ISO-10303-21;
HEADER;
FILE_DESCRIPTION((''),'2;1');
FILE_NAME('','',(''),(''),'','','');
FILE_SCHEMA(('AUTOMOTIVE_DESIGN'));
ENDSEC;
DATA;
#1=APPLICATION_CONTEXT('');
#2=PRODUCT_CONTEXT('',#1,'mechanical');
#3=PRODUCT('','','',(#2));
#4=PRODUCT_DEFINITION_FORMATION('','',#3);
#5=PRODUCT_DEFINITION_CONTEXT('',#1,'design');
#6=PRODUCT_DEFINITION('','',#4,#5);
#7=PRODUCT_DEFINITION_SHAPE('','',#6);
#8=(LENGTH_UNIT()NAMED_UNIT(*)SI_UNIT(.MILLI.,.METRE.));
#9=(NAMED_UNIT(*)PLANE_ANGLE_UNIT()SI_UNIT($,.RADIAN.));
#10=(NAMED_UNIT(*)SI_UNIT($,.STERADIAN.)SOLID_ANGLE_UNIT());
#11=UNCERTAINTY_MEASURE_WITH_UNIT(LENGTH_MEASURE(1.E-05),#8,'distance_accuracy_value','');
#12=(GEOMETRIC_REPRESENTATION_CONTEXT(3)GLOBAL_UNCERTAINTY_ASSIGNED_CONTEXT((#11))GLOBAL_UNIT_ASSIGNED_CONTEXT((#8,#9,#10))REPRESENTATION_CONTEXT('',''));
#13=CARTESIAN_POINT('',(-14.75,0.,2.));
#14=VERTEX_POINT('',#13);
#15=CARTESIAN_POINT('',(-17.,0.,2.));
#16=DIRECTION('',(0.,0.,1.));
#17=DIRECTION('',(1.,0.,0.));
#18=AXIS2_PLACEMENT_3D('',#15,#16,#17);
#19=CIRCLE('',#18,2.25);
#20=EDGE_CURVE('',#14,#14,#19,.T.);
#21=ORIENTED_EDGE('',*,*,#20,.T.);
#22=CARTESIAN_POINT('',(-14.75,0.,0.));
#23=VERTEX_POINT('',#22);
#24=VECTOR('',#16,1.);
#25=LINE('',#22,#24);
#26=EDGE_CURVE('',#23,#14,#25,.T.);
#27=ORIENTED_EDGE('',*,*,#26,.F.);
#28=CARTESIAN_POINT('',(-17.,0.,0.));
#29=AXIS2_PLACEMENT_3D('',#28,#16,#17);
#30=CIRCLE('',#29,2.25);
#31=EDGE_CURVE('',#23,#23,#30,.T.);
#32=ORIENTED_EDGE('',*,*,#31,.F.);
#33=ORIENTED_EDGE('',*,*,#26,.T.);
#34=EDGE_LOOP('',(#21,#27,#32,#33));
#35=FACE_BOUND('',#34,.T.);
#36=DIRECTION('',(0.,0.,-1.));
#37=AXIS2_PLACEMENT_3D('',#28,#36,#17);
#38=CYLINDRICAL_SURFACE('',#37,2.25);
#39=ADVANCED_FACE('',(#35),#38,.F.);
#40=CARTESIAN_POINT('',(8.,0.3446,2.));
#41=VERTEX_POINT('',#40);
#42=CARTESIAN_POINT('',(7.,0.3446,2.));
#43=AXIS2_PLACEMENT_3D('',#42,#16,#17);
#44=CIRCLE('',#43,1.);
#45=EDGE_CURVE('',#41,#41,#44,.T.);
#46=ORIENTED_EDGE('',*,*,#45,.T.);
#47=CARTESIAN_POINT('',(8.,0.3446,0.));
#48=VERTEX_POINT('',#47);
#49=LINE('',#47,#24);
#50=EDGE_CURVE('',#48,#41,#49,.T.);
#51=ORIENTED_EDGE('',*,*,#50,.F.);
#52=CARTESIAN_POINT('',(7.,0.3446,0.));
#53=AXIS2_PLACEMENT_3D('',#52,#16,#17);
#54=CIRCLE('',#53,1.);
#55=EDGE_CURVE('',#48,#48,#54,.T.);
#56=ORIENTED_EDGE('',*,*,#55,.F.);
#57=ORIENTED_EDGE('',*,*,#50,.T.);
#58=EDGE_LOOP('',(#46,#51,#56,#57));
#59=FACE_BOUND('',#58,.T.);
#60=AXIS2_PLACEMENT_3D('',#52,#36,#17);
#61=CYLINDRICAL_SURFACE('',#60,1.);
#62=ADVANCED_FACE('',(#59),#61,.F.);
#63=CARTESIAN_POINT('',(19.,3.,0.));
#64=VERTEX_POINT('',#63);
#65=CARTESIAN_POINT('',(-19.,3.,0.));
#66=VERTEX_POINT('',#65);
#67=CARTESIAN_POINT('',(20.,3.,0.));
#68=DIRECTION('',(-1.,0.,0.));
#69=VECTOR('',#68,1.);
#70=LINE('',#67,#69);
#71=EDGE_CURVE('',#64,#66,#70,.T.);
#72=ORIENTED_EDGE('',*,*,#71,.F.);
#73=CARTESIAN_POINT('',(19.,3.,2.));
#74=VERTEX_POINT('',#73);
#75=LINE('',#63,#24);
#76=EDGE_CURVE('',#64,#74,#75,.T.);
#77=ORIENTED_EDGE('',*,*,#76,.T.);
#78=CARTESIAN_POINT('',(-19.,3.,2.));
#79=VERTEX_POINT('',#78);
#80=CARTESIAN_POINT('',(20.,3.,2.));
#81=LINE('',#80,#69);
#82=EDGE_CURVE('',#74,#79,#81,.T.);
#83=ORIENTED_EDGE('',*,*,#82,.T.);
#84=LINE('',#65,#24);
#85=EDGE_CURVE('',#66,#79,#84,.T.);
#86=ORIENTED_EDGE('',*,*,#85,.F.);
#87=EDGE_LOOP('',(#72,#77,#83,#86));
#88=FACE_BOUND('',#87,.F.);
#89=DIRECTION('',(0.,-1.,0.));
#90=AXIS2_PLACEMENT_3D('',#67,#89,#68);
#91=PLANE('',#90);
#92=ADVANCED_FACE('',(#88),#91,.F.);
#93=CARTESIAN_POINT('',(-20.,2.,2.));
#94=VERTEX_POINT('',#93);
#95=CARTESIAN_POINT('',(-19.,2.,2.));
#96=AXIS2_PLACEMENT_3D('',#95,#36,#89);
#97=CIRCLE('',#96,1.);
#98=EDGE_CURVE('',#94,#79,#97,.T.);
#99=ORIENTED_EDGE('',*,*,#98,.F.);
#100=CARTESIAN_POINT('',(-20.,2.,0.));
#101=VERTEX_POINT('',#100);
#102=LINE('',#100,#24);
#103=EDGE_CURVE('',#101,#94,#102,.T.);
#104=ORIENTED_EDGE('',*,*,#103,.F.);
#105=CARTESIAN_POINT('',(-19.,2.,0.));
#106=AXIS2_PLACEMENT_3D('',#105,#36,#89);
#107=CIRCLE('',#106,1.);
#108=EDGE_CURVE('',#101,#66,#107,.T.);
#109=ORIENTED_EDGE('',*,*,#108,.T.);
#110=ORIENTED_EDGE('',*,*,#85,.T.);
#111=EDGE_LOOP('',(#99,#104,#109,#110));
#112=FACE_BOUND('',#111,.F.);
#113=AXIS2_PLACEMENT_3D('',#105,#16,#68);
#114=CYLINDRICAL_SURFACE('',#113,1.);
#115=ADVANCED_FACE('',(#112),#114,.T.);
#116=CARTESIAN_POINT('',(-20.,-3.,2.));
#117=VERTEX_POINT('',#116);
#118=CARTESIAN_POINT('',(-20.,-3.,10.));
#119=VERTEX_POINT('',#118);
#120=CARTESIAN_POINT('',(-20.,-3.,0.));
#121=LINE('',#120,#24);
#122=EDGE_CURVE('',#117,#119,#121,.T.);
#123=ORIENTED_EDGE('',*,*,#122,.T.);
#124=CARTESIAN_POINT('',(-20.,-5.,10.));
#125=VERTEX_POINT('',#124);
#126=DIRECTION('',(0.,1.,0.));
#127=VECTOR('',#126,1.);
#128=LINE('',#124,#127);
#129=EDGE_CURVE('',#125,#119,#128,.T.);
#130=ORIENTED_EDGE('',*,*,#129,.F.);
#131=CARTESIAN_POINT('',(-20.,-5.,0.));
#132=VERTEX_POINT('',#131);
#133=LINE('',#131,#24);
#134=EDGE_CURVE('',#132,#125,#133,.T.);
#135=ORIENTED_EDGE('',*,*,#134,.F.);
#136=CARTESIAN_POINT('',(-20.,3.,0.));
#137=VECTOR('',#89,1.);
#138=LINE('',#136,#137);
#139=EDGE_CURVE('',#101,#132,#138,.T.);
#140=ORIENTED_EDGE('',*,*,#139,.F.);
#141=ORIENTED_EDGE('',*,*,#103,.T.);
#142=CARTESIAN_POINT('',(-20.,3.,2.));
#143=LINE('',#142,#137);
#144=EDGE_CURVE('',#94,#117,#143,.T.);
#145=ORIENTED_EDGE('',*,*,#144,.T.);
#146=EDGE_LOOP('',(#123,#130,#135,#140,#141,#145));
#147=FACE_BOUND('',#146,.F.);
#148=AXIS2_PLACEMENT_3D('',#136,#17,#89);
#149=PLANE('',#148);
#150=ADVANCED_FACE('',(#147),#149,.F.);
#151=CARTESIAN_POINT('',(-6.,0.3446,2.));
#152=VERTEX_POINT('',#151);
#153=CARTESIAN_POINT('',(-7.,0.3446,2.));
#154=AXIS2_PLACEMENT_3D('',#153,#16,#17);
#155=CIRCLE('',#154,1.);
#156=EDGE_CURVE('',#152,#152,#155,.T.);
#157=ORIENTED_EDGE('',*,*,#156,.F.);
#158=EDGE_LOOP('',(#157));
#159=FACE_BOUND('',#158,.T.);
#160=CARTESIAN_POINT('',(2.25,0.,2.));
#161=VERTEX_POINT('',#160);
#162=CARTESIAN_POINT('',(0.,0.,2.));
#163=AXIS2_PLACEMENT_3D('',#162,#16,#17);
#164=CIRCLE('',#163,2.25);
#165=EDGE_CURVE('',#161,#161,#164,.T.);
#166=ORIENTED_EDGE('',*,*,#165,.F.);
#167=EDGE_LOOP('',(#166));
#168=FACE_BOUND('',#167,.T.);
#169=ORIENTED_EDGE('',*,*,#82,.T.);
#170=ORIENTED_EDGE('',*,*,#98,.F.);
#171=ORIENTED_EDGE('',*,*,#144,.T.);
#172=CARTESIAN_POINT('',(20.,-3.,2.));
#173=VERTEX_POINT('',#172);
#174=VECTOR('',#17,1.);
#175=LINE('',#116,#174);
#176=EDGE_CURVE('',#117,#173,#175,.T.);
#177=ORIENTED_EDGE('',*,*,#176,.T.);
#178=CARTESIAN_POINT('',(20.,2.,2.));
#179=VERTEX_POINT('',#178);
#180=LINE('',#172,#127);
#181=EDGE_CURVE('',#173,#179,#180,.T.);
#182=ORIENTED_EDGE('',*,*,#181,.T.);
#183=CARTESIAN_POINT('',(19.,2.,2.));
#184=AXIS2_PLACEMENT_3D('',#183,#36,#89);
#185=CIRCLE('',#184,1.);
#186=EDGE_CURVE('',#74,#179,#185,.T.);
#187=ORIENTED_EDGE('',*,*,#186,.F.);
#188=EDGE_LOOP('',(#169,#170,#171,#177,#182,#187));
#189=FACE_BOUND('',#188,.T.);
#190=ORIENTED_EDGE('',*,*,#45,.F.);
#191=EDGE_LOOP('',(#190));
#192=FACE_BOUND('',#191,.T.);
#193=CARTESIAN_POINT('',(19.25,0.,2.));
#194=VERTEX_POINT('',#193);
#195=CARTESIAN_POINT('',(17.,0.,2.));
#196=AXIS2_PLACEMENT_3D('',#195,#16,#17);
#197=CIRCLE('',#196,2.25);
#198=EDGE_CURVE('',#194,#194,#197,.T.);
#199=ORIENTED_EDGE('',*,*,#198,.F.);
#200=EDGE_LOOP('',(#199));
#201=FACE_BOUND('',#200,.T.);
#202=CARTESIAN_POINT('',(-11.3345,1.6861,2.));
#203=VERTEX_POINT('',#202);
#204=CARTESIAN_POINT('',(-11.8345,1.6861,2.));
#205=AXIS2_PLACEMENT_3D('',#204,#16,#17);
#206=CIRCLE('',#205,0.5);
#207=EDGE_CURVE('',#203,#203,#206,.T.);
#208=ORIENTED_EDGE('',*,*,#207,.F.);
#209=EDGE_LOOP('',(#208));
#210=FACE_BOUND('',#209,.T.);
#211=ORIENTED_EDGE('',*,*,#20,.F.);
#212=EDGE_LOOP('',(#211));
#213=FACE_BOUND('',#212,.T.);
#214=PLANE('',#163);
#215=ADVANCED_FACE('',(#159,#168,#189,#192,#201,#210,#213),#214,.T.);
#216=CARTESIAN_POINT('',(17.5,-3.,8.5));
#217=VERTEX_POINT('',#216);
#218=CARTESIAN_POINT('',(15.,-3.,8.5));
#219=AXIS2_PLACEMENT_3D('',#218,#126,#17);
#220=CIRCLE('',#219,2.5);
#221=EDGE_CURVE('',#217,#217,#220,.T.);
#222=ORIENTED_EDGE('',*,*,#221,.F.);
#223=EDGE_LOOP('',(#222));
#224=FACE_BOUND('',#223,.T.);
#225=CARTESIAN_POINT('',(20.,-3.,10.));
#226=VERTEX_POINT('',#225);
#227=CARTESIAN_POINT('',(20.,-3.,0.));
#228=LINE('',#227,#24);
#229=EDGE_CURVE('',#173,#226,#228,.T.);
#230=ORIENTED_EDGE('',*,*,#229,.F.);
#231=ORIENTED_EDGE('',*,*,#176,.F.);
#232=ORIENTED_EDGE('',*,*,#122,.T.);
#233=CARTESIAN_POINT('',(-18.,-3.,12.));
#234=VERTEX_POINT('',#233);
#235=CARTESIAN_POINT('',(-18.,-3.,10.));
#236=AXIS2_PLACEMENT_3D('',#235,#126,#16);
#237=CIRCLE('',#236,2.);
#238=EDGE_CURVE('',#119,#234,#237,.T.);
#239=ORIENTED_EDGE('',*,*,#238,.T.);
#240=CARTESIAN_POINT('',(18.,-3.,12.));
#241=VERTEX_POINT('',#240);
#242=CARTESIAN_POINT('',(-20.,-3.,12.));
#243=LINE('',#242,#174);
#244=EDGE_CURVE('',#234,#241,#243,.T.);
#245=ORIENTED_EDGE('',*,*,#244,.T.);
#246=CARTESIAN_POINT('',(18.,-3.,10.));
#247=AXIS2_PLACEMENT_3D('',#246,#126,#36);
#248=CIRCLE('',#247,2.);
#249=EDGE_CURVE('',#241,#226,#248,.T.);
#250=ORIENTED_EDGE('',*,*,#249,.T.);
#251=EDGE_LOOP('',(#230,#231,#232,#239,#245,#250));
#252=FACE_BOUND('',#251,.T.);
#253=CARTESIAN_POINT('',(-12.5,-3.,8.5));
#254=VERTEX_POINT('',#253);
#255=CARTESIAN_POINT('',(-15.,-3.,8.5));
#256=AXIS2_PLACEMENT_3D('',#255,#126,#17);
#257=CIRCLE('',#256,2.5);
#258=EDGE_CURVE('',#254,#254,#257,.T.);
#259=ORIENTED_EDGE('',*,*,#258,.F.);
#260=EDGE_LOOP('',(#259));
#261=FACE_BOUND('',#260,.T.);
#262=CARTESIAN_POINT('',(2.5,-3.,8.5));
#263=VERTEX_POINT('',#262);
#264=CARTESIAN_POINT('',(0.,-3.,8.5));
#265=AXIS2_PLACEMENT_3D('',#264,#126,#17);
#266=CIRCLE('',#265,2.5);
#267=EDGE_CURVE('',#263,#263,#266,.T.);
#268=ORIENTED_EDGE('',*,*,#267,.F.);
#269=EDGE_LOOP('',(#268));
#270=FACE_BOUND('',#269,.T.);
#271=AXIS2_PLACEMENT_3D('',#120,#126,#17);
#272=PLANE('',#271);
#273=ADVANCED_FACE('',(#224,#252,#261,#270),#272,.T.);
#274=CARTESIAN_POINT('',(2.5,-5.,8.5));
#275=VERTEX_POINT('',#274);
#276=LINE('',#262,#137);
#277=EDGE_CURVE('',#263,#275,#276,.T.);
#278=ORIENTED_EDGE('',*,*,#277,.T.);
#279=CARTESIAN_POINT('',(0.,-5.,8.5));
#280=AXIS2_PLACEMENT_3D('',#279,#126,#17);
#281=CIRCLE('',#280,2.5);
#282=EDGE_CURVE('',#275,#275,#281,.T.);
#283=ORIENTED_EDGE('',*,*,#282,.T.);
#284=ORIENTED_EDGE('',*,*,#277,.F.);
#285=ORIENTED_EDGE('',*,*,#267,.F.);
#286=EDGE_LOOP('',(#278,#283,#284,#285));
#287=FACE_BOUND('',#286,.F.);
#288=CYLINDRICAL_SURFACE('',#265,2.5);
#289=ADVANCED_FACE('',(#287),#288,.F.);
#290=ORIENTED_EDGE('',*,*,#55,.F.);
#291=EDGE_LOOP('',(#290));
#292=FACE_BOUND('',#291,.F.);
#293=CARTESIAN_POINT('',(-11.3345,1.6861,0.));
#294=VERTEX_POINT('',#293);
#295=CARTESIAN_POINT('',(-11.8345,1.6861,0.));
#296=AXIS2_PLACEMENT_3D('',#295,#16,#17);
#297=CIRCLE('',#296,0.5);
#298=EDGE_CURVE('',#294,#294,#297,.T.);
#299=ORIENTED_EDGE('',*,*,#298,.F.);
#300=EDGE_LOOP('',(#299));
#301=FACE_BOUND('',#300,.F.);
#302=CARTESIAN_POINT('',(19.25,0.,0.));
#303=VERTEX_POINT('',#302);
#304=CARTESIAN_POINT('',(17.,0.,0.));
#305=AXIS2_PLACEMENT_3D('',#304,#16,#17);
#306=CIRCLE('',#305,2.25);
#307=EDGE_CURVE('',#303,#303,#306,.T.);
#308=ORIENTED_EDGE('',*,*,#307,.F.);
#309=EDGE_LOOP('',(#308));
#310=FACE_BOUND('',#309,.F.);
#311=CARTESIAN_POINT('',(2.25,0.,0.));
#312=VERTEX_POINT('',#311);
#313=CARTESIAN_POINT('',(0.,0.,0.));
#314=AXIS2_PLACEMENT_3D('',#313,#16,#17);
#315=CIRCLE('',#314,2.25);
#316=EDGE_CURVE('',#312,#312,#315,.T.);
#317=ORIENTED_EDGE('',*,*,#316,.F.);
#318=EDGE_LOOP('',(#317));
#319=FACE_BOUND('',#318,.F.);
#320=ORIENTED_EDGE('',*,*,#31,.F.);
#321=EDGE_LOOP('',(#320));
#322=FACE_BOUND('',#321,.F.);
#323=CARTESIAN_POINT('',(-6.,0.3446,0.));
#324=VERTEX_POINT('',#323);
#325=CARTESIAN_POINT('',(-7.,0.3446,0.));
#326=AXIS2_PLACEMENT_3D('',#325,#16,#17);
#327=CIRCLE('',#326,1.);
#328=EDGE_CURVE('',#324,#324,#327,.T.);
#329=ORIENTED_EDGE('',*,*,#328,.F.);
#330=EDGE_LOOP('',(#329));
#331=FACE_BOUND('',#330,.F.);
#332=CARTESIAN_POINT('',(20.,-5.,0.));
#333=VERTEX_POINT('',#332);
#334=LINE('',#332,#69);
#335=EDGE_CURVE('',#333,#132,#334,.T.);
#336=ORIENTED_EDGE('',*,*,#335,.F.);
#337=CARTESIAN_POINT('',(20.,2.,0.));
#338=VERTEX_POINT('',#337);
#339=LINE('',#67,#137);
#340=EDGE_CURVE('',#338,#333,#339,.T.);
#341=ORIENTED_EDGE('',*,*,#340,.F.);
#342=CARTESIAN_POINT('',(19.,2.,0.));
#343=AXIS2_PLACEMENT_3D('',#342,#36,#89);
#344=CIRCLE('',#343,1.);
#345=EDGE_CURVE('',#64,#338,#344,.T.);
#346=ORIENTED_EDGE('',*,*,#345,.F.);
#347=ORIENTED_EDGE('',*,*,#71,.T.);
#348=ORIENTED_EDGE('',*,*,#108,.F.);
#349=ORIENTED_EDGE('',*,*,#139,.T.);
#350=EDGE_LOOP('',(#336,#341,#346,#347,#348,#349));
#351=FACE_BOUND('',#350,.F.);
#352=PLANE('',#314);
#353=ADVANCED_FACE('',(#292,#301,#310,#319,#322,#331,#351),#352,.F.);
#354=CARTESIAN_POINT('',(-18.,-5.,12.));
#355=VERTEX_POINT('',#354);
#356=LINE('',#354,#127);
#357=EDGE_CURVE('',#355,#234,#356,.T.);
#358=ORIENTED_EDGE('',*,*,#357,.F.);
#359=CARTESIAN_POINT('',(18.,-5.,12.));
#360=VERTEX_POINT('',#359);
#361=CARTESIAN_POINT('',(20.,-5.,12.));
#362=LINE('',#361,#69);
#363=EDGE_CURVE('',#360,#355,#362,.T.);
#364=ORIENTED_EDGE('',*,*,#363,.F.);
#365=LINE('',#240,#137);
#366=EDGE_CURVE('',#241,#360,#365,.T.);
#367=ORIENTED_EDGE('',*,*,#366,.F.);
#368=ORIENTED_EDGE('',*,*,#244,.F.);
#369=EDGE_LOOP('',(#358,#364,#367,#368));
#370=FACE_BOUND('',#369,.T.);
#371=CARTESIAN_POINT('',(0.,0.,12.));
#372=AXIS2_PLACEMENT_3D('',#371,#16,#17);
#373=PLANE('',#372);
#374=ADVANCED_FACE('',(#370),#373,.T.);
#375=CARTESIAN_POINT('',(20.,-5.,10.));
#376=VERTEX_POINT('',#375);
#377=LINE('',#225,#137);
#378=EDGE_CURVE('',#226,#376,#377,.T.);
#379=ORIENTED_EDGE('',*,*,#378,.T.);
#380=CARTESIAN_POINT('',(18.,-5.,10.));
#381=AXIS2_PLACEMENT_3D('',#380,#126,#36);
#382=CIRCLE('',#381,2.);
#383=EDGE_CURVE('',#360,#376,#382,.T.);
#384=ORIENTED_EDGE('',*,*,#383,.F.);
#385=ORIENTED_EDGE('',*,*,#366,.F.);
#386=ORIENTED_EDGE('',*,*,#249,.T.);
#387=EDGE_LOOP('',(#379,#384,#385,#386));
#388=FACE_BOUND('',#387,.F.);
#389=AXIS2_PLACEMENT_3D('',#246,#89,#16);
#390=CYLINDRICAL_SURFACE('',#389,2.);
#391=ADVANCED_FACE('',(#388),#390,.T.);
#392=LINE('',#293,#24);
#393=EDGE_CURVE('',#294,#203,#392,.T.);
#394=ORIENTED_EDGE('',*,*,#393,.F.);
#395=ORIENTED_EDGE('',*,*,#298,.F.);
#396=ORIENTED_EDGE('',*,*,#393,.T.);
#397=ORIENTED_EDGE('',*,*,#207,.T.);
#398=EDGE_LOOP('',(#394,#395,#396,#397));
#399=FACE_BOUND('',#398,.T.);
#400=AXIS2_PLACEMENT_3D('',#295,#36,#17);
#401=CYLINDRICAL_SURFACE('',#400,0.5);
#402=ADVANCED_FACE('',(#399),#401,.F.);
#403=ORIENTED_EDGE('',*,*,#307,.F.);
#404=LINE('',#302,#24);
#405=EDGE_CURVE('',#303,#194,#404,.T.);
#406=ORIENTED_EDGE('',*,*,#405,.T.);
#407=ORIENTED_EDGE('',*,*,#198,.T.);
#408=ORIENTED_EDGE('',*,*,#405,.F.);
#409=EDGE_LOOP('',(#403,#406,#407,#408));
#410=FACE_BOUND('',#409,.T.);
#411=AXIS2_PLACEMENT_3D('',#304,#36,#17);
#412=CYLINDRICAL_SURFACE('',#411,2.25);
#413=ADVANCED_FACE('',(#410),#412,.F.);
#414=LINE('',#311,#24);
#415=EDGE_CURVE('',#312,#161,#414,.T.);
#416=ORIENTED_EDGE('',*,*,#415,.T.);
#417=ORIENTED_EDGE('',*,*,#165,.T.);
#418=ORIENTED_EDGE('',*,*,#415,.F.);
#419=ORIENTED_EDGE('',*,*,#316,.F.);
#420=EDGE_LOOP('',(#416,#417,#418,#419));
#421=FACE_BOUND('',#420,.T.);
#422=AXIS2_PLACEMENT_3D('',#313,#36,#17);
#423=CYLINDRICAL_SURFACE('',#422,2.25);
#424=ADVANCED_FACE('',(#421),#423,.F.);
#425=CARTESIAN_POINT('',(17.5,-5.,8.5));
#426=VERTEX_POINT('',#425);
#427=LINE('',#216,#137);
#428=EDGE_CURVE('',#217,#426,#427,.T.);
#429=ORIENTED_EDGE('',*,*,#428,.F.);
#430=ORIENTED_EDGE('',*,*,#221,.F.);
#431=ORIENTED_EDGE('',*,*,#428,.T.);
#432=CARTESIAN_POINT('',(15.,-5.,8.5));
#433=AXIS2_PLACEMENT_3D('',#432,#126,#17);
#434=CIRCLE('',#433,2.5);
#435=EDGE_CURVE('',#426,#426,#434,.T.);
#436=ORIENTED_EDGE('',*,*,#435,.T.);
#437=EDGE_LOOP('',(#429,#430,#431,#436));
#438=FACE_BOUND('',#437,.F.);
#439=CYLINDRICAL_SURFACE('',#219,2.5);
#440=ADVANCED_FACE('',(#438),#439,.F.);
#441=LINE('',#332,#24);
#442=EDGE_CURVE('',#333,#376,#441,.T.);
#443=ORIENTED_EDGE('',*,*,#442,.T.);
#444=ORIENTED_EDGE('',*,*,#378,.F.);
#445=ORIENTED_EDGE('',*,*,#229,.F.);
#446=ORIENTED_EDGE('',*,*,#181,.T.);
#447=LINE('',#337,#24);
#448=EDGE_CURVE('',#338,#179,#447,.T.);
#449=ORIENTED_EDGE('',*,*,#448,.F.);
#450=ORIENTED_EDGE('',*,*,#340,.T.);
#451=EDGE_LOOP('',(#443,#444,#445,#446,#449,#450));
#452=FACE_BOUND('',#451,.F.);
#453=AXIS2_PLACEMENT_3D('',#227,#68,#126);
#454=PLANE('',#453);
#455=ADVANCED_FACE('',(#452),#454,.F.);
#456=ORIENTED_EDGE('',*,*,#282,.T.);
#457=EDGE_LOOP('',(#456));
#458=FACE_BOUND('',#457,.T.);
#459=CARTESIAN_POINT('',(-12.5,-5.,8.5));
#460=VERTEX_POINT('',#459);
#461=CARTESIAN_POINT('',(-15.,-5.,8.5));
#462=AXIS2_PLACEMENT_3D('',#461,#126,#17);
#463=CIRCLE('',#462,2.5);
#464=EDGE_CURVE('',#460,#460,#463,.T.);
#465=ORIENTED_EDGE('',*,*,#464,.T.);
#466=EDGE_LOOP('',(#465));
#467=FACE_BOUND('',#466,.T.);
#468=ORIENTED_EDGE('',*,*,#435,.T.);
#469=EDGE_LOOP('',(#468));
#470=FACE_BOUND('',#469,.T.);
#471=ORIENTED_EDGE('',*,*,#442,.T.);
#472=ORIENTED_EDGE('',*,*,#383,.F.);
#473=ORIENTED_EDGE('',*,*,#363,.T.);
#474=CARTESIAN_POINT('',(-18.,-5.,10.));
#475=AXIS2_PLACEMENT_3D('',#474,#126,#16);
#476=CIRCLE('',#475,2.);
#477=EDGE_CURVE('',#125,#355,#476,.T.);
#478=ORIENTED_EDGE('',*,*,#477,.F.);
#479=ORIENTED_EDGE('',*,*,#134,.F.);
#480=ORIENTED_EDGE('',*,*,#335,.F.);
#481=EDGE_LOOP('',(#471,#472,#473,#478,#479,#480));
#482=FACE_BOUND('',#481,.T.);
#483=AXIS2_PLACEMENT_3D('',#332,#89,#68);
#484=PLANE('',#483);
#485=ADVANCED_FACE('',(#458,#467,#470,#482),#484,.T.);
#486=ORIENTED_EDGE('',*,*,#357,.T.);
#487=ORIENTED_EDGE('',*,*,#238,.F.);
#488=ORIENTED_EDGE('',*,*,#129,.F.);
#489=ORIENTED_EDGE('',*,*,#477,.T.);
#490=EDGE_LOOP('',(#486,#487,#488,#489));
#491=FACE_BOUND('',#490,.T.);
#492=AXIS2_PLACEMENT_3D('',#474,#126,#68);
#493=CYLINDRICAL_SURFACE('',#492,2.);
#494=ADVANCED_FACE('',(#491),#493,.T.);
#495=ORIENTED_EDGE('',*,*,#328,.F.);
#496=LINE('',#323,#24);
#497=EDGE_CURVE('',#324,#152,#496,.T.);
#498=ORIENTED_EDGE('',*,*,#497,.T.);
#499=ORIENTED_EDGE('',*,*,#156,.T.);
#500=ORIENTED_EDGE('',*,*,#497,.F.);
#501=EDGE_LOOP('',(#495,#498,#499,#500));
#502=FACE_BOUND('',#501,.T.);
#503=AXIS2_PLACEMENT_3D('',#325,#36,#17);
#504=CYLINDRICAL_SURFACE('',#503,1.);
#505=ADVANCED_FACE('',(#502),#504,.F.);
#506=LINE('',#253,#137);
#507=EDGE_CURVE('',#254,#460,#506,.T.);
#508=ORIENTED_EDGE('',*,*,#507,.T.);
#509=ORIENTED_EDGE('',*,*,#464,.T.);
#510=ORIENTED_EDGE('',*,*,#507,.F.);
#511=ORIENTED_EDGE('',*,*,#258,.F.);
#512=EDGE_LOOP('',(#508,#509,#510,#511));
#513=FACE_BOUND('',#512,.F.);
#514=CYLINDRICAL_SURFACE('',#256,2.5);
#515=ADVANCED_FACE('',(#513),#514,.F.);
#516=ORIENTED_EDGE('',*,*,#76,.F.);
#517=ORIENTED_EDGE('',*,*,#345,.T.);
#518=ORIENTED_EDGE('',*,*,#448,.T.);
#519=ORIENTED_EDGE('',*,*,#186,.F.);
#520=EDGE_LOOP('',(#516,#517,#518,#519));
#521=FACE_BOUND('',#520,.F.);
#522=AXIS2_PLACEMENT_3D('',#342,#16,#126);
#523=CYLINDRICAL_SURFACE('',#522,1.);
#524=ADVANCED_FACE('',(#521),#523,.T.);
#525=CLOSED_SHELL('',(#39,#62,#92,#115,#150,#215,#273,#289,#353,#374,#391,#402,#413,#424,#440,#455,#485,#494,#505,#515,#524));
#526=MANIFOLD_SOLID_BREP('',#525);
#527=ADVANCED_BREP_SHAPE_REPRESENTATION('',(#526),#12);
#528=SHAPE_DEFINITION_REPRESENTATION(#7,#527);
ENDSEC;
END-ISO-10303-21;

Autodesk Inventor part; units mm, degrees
ref_plane "YZ Plane" through (0, 0, 0) normal (1, 0, 0) x (0, 1, 0)
ref_plane "XZ Plane" through (0, 0, 0) normal (0, 1, 0) x (-1, 0, 0)
ref_plane "XY Plane" through (0, 0, 0) normal (0, 0, 1) x (1, 0, 0)
sketch "Sketch1" plane through (0, 0, 0) normal (0, 0, 1) x (1, 0, 0)
  line L0 (-20, -3) -> (20, -3) construction
  circle A0 centre (-17, 0) radius 2.25
  circle A1 centre (17, 0) radius 2.25
  circle A2 centre (0, 0) radius 2.25
  circle A3 centre (-7, 0.3446) radius 1
  circle A4 centre (7, 0.3446) radius 1
  line L1 (-23.9554, 0) -> (25.6733, 0) construction
  line L2 (0, 11.421) -> (0, -11.2937) construction
  line L3 (-20, -3) -> (20, -3)
  line L4 (20, -3) -> (20, 3)
  line L5 (20, 3) -> (-20, 3)
  line L6 (-20, 3) -> (-20, -3)
  circle A5 centre (-11.8345, 1.6861) radius 0.5
  line L7 (-20, -3) -> (20, -3)
  line L8 (20, -3) -> (20, -5)
  line L9 (20, -5) -> (-20, -5)
  line L10 (-20, -5) -> (-20, -3)
  point P0 (0, 0)
  point P1 (0, -3)
  point P2 (0, -3)
  point P3 (-2.8751, -5.808)
  point P4 (2.8751, -5.808)
  dimension "d0" = 40
  dimension "d1" = 4.5
  dimension "d2" = 4.5
  dimension "d3" = 3
  dimension "d4" = 4.5
  dimension "d5" = 3
  dimension "d6" = 3.3446
  dimension "d7" = 3.3446
  dimension "d8" = 3
  dimension "d9" = 17
  dimension "d10" = 17
  dimension "d11" = 3
  dimension "d12" = 3
  dimension "d13" = 3
  dimension "d14" = 3
  dimension "d16" = 1
  dimension "d20" = 2
extrude "Extrusion1" add sketch "Sketch1" along normal blind 2 contours L6 L5 L4 L3
extrude "Extrusion2" add sketch "Sketch1" along normal blind 12 contours L3 L8 L9 L10
sketch "Sketch2" plane through (-20, -3, 2) normal (0, 1, 0) x (1, 0, 0)
  line L0 (0, 0) -> (40, 0) projected
  line L1 (0, 0) -> (0, -10)
  line L2 (40, -10) -> (0, -10) projected
  line L3 (40, 0) -> (40, -10)
  circle A0 centre (5, -6.5) radius 2.5
  circle A1 centre (35, -6.5) radius 2.5
  line L4 (20, 0) -> (20, -10) construction
  line L5 (0, -6.5) -> (40, -6.5) construction
  circle A2 centre (20, -6.5) radius 2.5
  point P0 (20, 2)
  dimension "d24" = 5
  dimension "d25" = 5
  dimension "d26" = 15
  dimension "d27" = 15
  dimension "d28" = 3.5
  dimension "d29" = 5
extrude "Extrusion3" cut sketch "Sketch2" against normal blind 7 contours A0 | A1 | A2
fillet "Fillet2" radius 2 2 edges at (20, -4, 12) (-20, -4, 12)
fillet "Fillet3" radius 1 2 edges at (20, 3, 1) (-20, 3, 1)
properties part number "Bar"
